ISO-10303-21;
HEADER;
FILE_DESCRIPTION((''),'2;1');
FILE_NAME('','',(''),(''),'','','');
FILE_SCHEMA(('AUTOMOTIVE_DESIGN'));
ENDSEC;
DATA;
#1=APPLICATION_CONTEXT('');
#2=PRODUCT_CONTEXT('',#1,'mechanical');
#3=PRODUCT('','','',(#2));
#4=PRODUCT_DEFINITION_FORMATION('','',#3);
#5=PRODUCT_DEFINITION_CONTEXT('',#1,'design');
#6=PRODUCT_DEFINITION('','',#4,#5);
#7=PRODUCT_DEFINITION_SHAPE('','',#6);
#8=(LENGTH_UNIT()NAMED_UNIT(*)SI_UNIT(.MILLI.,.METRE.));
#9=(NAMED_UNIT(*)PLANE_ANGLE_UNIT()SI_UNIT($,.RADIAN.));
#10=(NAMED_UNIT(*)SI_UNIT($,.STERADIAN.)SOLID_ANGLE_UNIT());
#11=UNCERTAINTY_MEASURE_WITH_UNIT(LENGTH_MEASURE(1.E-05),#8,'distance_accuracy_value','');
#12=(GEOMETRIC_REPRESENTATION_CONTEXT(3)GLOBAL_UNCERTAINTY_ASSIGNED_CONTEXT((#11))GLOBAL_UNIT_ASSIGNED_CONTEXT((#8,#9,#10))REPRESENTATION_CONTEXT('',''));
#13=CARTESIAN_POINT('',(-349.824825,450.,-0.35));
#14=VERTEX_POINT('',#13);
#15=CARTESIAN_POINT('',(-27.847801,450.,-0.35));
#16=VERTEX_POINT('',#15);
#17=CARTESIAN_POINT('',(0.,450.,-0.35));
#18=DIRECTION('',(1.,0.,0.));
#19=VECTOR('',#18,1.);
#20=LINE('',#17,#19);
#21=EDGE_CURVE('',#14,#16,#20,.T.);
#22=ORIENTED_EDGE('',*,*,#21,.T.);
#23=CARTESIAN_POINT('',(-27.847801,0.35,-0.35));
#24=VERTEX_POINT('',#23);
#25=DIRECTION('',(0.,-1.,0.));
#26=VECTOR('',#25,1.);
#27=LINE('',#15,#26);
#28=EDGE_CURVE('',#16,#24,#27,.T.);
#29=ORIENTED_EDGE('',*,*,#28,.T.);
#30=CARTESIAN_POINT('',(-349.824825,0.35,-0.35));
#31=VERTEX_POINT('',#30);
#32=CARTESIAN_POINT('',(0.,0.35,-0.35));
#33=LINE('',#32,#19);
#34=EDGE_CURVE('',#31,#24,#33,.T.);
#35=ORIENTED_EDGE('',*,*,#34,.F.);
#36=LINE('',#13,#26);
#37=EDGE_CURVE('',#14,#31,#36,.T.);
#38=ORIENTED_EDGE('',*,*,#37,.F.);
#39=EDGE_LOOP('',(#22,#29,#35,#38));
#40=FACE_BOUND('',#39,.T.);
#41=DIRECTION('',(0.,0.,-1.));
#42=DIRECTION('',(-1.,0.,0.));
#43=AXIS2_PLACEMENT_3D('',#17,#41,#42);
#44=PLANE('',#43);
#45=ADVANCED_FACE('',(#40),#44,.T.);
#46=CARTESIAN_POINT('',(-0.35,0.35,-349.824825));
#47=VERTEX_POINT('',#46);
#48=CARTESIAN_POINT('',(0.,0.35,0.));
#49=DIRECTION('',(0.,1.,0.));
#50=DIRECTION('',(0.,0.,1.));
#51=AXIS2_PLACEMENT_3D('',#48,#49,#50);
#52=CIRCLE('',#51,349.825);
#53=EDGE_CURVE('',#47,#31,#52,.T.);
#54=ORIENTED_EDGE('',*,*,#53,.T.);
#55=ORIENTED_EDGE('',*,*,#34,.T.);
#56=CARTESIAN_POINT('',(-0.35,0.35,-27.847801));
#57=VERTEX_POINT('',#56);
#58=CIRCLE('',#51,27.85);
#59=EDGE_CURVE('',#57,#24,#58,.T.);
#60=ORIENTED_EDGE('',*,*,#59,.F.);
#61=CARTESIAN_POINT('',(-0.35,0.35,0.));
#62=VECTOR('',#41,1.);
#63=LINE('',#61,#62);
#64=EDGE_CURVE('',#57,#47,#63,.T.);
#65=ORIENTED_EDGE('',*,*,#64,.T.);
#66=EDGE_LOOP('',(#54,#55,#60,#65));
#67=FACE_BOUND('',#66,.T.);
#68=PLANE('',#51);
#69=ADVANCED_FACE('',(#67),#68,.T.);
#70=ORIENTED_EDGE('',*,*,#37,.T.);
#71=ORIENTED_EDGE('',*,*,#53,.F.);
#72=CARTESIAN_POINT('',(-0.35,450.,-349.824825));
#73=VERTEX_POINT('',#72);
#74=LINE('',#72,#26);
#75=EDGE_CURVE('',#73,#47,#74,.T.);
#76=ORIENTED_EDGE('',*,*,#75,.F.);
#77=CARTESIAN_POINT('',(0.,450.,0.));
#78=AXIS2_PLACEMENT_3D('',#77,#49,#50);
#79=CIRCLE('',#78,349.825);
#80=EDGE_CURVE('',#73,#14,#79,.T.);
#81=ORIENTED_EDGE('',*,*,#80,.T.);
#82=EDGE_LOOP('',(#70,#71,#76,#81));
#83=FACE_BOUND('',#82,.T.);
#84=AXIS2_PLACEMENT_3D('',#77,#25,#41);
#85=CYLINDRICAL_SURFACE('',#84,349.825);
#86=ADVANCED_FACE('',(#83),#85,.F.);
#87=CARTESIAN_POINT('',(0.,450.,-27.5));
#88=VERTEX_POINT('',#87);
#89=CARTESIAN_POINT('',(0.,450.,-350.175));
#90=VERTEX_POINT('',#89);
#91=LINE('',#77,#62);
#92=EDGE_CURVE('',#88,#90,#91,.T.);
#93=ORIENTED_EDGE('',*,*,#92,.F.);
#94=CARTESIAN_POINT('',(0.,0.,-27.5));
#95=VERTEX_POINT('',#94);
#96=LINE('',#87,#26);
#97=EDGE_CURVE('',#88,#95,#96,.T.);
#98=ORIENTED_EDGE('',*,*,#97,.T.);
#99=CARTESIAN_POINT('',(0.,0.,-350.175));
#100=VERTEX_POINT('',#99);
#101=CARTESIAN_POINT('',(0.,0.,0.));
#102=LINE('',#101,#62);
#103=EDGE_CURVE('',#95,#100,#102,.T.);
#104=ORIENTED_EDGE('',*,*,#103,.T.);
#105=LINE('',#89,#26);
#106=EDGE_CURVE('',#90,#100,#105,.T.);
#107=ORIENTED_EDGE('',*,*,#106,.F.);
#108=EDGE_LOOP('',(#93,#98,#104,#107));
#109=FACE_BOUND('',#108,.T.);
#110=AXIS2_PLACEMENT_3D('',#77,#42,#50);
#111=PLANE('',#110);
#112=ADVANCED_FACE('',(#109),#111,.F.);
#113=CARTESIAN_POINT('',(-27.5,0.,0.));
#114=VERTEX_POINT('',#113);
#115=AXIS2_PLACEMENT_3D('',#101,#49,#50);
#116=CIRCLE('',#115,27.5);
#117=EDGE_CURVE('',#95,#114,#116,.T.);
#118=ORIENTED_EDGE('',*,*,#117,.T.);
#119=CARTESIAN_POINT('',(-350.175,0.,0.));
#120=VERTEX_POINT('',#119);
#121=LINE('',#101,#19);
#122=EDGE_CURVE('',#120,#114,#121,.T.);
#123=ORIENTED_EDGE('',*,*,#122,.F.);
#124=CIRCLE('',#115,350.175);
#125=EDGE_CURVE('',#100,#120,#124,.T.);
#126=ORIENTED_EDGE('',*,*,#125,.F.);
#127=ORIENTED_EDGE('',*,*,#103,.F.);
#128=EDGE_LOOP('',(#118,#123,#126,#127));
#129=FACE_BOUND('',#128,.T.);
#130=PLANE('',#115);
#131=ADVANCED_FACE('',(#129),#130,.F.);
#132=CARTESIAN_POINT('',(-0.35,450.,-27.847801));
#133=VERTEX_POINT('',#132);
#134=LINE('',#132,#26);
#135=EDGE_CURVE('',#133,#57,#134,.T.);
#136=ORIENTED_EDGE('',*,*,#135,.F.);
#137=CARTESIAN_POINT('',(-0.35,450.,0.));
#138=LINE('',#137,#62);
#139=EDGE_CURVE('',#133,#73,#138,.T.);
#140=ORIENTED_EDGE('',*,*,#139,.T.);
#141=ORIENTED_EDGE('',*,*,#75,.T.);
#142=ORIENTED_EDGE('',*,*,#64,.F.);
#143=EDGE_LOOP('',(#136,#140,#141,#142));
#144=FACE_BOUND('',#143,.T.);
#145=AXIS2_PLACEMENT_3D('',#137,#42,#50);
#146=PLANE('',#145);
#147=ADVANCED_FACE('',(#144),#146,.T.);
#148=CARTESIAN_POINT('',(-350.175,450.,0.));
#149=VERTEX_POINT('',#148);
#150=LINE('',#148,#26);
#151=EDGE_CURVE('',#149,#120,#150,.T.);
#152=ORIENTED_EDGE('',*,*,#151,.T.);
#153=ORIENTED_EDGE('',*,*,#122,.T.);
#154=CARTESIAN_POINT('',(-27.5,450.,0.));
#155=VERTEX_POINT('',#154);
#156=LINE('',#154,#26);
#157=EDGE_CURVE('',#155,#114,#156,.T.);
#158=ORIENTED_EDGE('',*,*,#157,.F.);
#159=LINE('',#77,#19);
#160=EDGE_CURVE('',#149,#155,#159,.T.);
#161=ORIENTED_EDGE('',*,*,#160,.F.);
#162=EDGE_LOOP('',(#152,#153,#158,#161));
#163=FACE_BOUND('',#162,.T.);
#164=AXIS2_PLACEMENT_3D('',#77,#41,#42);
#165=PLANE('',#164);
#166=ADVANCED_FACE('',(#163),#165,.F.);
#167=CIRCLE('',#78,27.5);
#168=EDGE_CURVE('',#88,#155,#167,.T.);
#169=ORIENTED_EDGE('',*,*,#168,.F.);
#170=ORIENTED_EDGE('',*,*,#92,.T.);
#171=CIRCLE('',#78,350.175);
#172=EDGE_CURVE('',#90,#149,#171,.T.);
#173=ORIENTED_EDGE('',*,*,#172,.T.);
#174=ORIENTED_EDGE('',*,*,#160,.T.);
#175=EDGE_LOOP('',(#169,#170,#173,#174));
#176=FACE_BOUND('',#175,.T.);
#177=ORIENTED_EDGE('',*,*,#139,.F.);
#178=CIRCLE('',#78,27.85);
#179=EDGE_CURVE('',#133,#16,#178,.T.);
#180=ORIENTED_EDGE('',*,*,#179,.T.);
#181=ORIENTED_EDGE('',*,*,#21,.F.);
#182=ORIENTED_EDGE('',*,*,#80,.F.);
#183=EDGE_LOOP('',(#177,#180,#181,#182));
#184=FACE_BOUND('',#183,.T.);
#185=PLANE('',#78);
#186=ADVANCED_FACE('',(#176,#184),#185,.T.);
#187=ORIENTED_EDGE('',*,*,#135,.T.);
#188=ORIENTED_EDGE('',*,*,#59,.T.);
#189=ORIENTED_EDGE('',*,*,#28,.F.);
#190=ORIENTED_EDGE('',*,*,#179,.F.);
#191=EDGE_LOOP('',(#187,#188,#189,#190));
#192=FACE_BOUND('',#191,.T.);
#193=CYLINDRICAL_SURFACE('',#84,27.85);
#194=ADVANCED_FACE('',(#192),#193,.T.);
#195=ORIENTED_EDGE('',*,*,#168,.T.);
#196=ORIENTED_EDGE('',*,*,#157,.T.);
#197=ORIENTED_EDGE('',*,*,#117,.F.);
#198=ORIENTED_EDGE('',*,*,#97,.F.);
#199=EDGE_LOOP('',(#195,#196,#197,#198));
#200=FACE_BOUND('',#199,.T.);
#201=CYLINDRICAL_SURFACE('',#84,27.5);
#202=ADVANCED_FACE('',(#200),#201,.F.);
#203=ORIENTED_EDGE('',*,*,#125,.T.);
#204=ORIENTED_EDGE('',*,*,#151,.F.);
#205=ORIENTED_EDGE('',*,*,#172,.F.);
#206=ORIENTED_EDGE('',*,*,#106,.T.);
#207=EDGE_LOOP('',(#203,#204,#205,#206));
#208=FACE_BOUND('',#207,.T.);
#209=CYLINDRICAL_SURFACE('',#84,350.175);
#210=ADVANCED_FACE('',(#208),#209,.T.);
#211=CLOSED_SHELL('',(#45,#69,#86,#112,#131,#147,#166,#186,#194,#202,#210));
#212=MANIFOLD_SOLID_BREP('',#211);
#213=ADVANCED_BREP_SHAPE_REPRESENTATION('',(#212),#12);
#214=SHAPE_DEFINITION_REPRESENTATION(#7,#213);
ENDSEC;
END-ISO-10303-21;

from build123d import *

# Parameters (mm, degrees)
BOSS_EXTRUDE1_DEPTH = 450
SHELL1_T            = -0.35


with BuildPart() as part:
    # Sketch1 → Boss-Extrude1 (new body)
    with BuildSketch(Plane(origin=(0, 0, 0), x_dir=(1, 0, 0), z_dir=(0, 1, 0))):
        with BuildLine():
            Line((-350.175, 0), (-27.5, 0))
            ThreePointArc((-27.5, 0), (-19.445436483, 19.445436483), (0, 27.5))
            Line((0, 27.5), (0, 350.175))
            ThreePointArc((0, 350.175), (-247.611117102, 247.611117102), (-350.175, 0))
        make_face()
    extrude(amount=BOSS_EXTRUDE1_DEPTH)

    # Shell1
    shell1_openings = [part.faces().sort_by_distance(p)[0] for p in [
        (-113.973513396, 450, -113.973513396),
    ]]
    offset(amount=SHELL1_T, openings=shell1_openings, kind=Kind.INTERSECTION)


solid = part.part
